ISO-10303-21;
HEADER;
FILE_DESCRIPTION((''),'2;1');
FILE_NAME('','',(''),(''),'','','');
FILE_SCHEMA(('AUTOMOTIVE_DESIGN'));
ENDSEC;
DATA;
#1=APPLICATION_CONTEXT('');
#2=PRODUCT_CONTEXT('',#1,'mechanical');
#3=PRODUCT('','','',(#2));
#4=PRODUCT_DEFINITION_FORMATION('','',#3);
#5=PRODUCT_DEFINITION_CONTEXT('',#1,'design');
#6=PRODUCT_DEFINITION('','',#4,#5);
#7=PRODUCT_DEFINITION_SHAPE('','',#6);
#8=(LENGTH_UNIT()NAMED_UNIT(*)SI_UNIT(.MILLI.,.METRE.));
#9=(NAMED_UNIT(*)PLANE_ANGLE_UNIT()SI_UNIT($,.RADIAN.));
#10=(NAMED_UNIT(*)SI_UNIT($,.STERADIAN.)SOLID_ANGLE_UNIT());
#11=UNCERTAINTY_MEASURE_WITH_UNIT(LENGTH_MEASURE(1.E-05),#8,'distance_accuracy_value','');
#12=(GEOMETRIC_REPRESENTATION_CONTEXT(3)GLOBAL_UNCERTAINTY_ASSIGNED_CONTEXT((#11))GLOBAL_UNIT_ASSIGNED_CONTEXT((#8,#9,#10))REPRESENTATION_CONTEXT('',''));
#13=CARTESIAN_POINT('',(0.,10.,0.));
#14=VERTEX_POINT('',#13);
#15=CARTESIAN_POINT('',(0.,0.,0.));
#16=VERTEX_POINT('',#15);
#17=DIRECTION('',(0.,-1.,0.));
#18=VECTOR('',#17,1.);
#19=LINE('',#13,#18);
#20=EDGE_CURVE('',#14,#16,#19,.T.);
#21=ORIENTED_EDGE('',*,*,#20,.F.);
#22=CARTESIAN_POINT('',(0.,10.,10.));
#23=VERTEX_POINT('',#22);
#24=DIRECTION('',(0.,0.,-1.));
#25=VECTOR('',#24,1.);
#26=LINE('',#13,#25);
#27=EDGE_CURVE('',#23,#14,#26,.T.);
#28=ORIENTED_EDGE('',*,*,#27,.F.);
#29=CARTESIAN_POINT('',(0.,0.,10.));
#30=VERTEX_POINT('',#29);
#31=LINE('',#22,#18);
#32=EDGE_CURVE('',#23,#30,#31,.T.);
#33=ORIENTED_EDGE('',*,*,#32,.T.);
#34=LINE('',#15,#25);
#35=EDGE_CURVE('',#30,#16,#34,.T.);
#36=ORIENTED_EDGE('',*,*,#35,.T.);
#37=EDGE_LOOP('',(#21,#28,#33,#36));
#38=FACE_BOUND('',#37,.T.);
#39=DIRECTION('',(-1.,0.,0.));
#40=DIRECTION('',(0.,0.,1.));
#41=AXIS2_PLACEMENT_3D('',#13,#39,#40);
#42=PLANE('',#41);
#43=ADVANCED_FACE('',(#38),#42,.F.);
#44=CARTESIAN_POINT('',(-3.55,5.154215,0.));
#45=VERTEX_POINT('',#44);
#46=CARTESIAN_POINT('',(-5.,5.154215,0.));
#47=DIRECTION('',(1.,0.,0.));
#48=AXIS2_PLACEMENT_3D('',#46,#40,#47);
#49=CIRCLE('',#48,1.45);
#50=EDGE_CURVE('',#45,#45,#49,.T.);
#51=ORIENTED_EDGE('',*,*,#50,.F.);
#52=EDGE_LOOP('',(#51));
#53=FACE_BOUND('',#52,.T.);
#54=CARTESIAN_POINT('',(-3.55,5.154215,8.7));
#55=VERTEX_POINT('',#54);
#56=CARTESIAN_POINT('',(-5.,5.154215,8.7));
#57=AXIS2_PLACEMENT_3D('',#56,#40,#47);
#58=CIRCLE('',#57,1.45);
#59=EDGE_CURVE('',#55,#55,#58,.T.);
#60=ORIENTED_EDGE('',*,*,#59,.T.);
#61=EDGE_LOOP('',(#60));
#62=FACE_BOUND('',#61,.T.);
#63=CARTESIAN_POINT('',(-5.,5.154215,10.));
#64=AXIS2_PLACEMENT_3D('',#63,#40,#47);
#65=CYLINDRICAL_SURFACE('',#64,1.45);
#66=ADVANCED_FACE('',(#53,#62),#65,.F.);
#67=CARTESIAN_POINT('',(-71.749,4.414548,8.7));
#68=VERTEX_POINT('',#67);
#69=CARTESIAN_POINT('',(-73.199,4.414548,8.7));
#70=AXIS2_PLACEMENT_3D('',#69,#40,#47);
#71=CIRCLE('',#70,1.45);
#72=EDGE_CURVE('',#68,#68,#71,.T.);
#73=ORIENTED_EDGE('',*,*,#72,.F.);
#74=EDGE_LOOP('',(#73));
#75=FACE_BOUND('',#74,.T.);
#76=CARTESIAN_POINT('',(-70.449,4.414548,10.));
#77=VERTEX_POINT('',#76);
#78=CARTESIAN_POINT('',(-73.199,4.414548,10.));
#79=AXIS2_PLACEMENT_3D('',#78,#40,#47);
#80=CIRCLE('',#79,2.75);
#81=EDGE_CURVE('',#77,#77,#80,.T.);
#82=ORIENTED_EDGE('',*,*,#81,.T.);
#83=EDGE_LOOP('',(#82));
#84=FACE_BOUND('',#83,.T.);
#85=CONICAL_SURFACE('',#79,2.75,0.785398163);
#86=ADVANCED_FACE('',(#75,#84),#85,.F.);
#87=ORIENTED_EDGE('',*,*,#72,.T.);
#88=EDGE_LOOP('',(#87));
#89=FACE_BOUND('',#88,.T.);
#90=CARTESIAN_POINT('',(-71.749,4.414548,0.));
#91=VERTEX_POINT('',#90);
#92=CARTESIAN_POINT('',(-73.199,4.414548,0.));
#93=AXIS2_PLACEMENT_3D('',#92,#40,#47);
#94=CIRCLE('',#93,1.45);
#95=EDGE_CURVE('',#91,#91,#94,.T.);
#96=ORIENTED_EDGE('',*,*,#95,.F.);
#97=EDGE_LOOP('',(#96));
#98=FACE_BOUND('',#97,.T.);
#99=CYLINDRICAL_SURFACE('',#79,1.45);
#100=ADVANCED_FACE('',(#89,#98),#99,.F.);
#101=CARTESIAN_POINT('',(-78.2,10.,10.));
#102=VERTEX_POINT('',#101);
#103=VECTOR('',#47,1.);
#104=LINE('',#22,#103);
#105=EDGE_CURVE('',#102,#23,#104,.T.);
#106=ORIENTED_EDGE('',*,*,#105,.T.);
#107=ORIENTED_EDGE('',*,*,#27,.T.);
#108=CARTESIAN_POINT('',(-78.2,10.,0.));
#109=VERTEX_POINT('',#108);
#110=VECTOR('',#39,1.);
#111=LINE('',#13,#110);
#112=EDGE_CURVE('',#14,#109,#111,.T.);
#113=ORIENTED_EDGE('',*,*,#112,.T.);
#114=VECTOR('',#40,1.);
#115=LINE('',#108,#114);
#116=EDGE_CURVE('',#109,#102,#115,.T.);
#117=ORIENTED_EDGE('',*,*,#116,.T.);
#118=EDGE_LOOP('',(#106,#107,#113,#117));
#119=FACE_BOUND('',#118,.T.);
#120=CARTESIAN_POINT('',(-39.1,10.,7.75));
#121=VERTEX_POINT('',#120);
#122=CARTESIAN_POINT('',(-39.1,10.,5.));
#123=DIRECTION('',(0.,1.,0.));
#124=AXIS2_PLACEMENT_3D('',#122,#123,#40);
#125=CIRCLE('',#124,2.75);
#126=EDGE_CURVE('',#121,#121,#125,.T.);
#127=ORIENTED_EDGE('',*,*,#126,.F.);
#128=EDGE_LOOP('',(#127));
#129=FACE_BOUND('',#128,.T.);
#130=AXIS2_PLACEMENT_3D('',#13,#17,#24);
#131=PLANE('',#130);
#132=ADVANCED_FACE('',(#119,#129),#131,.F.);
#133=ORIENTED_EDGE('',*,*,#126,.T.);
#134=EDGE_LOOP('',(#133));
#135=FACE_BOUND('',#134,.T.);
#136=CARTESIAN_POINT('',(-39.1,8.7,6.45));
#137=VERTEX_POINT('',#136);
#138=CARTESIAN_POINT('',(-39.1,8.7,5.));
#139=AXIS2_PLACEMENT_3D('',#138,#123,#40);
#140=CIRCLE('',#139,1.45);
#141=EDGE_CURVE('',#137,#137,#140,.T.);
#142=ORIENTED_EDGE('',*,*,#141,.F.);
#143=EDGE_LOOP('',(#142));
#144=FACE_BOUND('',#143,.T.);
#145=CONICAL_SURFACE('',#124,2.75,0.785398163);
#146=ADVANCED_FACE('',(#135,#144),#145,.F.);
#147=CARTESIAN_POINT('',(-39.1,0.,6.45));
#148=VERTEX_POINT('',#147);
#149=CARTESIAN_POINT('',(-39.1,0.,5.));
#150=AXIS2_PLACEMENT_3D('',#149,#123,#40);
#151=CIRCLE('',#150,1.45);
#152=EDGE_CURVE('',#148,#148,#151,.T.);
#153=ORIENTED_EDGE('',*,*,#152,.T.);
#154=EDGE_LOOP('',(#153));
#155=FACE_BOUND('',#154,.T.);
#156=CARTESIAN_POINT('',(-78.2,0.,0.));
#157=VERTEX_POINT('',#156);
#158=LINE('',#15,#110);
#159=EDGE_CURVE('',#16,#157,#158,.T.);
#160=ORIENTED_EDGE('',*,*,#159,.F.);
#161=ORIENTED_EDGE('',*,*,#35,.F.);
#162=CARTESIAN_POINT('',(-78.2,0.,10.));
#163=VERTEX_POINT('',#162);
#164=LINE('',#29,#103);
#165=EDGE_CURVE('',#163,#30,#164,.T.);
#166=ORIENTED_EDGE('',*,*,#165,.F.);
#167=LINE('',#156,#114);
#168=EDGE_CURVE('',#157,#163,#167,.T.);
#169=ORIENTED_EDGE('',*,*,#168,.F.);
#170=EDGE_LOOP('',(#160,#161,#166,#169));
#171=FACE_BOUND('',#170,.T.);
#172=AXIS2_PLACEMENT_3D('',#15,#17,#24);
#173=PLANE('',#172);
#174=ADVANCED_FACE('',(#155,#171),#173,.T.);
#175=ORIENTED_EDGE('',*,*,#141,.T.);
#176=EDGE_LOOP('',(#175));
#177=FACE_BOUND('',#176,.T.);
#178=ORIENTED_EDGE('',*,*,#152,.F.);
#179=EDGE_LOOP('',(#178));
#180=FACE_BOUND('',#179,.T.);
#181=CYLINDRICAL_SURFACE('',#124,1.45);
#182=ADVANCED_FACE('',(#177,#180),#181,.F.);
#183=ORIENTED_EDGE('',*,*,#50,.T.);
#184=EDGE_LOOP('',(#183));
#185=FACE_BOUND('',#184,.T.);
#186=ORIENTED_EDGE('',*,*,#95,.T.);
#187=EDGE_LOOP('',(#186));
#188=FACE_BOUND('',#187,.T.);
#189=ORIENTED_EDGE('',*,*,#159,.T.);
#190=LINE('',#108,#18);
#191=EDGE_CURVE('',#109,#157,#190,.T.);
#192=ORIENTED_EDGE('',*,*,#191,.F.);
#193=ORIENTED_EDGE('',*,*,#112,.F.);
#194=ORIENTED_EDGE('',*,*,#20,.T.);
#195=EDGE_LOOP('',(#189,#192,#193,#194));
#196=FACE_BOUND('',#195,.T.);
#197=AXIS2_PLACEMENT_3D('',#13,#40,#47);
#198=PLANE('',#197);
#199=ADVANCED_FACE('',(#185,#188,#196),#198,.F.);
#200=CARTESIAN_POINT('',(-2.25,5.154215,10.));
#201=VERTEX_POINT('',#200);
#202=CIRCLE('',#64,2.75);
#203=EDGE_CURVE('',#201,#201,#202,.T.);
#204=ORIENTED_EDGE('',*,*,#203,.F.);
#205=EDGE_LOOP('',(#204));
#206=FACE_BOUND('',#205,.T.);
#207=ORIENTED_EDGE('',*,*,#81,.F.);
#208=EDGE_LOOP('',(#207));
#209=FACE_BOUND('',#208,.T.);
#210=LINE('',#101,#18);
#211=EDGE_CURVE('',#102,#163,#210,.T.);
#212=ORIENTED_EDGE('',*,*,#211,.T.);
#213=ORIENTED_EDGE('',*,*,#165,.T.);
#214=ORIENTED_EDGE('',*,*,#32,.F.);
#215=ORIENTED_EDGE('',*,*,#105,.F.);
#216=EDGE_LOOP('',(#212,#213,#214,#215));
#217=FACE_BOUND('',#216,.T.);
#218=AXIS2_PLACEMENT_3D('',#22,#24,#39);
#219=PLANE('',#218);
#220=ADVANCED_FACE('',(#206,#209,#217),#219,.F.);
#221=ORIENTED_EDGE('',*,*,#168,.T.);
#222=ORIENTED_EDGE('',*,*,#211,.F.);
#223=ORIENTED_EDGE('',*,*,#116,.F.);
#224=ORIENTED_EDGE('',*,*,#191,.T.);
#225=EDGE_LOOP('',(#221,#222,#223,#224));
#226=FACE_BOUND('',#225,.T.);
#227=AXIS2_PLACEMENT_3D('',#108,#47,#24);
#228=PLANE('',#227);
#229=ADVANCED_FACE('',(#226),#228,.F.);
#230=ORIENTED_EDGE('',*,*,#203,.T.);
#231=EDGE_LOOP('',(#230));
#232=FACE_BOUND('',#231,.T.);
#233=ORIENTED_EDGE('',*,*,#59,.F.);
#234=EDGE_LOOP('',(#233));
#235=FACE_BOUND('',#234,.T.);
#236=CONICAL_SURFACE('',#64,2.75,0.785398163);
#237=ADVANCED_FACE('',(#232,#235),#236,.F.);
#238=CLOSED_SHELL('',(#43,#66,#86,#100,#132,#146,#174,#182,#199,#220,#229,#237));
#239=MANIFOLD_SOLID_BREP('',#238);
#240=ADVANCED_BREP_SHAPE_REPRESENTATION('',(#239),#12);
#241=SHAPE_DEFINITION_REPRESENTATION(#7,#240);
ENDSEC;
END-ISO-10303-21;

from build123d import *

# Parameters (mm, degrees)
SKETCH1_W                                         = 78.2
SKETCH1_H                                         = 10
BOSS_EXTRUDE1_DEPTH                               = 10
CSK_FOR_M2_5_FLAT_HEAD_MACHINE_SCREW1_D           = 2.9
CSK_FOR_M2_5_FLAT_HEAD_MACHINE_SCREW1_CSINK_D     = 5.5
CSK_FOR_M2_5_FLAT_HEAD_MACHINE_SCREW1_CSINK_ANGLE = 90
CSK_FOR_M2_5_FLAT_HEAD_MACHINE_SCREW2_D           = 2.9
CSK_FOR_M2_5_FLAT_HEAD_MACHINE_SCREW2_CSINK_D     = 5.5
CSK_FOR_M2_5_FLAT_HEAD_MACHINE_SCREW2_CSINK_ANGLE = 90
CSK_FOR_M2_5_FLAT_HEAD_MACHINE_SCREW3_D           = 2.9
CSK_FOR_M2_5_FLAT_HEAD_MACHINE_SCREW3_CSINK_D     = 5.5
CSK_FOR_M2_5_FLAT_HEAD_MACHINE_SCREW3_CSINK_ANGLE = 90


with BuildPart() as part:
    # Sketch1 → Boss-Extrude1 (new body)
    with BuildSketch(Plane(origin=(0, 0, 0), x_dir=(1, 0, 0), z_dir=(0, 1, 0))):
        with Locations((-39.1, -5)):
            Rectangle(SKETCH1_W, SKETCH1_H)
    extrude(amount=BOSS_EXTRUDE1_DEPTH)

    # CSK for M2.5 Flat Head Machine Screw1 (through all)
    with Locations(Plane.XY.offset(10)):
        with Locations((-5, 5.154214905)):
            CounterSinkHole(CSK_FOR_M2_5_FLAT_HEAD_MACHINE_SCREW1_D / 2, CSK_FOR_M2_5_FLAT_HEAD_MACHINE_SCREW1_CSINK_D / 2, counter_sink_angle=CSK_FOR_M2_5_FLAT_HEAD_MACHINE_SCREW1_CSINK_ANGLE)

    # CSK for M2.5 Flat Head Machine Screw2 (through all)
    with Locations(Plane.XY.offset(10)):
        with Locations((-73.199, 4.414547578)):
            CounterSinkHole(CSK_FOR_M2_5_FLAT_HEAD_MACHINE_SCREW2_D / 2, CSK_FOR_M2_5_FLAT_HEAD_MACHINE_SCREW2_CSINK_D / 2, counter_sink_angle=CSK_FOR_M2_5_FLAT_HEAD_MACHINE_SCREW2_CSINK_ANGLE)

    # CSK for M2.5 Flat Head Machine Screw3 (through all)
    with Locations(Plane(origin=(0, 10, 0), x_dir=(1, 0, 0), z_dir=(0, 1, 0))):
        with Locations((-39.1, -5)):
            CounterSinkHole(CSK_FOR_M2_5_FLAT_HEAD_MACHINE_SCREW3_D / 2, CSK_FOR_M2_5_FLAT_HEAD_MACHINE_SCREW3_CSINK_D / 2, counter_sink_angle=CSK_FOR_M2_5_FLAT_HEAD_MACHINE_SCREW3_CSINK_ANGLE)


solid = part.part
